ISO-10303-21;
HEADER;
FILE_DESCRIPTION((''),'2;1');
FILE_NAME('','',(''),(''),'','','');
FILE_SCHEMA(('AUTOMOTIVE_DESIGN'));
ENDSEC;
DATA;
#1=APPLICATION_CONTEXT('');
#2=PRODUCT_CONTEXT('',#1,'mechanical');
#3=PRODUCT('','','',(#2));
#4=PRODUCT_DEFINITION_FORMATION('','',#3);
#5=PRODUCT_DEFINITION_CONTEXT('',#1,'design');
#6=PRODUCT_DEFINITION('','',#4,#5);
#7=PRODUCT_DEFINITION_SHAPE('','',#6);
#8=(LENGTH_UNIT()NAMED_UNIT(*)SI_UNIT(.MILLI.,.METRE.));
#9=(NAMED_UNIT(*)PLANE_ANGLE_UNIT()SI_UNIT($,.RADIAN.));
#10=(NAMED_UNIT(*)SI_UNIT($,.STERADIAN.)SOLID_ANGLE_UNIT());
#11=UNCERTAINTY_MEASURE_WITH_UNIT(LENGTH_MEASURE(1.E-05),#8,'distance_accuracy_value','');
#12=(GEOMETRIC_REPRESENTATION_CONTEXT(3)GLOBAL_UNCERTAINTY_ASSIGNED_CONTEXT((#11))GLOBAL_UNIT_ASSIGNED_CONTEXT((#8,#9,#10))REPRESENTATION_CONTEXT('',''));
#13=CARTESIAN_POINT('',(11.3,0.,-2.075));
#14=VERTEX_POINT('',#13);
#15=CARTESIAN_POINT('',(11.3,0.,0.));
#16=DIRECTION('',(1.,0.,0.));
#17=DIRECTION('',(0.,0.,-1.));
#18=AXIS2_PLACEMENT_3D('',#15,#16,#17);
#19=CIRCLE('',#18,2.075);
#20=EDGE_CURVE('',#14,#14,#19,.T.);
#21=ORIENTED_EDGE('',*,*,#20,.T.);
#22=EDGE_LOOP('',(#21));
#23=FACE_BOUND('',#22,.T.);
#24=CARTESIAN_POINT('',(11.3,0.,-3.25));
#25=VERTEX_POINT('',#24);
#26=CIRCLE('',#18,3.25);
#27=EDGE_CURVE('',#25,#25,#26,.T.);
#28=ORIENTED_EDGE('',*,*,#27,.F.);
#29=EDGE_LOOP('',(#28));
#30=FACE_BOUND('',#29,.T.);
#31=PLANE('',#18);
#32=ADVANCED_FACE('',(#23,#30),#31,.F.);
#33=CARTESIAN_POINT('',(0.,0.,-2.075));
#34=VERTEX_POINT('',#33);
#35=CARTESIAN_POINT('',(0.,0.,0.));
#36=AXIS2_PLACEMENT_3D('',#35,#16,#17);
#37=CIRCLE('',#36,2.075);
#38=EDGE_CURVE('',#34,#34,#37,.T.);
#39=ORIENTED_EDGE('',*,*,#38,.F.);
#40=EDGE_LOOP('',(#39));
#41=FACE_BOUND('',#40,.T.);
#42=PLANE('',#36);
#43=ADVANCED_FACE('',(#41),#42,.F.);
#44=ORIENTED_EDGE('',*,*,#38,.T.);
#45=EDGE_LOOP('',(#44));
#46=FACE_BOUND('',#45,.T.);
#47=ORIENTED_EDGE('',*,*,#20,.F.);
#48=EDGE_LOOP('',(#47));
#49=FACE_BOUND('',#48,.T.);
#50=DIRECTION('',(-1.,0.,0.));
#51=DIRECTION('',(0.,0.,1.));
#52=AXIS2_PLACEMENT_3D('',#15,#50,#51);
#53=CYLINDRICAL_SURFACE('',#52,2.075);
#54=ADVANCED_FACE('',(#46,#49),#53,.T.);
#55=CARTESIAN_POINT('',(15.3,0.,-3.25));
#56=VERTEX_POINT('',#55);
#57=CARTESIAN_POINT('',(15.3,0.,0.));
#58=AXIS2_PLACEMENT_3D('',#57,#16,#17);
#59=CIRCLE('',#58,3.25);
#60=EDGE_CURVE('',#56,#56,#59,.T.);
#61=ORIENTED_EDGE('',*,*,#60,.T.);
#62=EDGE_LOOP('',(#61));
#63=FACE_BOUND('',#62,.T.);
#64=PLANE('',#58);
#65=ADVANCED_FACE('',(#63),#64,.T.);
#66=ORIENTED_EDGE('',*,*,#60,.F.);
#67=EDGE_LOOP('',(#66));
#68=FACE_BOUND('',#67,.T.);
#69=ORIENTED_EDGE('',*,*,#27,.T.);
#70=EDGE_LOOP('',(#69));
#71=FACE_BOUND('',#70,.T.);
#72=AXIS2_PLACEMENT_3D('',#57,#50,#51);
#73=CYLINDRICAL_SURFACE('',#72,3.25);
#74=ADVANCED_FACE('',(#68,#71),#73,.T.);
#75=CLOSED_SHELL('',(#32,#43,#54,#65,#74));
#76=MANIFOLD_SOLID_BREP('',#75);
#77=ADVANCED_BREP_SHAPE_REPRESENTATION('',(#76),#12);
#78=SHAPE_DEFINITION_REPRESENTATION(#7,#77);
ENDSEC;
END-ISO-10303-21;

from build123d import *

# Parameters (mm, degrees)
SKETCH1_R           = 2.075
BOSS_EXTRUDE1_DEPTH = 11.3
SKETCH2_R           = 3.25
BOSS_EXTRUDE2_DEPTH = 4


with BuildPart() as part:
    # Sketch1 → Boss-Extrude1 (new body)
    with BuildSketch(Plane(origin=(0, 0, 0), x_dir=(0, 0, -1), z_dir=(1, 0, 0))):
        Circle(SKETCH1_R)
    extrude(amount=BOSS_EXTRUDE1_DEPTH)

    # Sketch2 → Boss-Extrude2 (add)
    with BuildSketch(Plane(origin=(11.3, 0, 0), x_dir=(0, 0, -1), z_dir=(1, 0, 0))):
        Circle(SKETCH2_R)
    extrude(amount=BOSS_EXTRUDE2_DEPTH)


solid = part.part
